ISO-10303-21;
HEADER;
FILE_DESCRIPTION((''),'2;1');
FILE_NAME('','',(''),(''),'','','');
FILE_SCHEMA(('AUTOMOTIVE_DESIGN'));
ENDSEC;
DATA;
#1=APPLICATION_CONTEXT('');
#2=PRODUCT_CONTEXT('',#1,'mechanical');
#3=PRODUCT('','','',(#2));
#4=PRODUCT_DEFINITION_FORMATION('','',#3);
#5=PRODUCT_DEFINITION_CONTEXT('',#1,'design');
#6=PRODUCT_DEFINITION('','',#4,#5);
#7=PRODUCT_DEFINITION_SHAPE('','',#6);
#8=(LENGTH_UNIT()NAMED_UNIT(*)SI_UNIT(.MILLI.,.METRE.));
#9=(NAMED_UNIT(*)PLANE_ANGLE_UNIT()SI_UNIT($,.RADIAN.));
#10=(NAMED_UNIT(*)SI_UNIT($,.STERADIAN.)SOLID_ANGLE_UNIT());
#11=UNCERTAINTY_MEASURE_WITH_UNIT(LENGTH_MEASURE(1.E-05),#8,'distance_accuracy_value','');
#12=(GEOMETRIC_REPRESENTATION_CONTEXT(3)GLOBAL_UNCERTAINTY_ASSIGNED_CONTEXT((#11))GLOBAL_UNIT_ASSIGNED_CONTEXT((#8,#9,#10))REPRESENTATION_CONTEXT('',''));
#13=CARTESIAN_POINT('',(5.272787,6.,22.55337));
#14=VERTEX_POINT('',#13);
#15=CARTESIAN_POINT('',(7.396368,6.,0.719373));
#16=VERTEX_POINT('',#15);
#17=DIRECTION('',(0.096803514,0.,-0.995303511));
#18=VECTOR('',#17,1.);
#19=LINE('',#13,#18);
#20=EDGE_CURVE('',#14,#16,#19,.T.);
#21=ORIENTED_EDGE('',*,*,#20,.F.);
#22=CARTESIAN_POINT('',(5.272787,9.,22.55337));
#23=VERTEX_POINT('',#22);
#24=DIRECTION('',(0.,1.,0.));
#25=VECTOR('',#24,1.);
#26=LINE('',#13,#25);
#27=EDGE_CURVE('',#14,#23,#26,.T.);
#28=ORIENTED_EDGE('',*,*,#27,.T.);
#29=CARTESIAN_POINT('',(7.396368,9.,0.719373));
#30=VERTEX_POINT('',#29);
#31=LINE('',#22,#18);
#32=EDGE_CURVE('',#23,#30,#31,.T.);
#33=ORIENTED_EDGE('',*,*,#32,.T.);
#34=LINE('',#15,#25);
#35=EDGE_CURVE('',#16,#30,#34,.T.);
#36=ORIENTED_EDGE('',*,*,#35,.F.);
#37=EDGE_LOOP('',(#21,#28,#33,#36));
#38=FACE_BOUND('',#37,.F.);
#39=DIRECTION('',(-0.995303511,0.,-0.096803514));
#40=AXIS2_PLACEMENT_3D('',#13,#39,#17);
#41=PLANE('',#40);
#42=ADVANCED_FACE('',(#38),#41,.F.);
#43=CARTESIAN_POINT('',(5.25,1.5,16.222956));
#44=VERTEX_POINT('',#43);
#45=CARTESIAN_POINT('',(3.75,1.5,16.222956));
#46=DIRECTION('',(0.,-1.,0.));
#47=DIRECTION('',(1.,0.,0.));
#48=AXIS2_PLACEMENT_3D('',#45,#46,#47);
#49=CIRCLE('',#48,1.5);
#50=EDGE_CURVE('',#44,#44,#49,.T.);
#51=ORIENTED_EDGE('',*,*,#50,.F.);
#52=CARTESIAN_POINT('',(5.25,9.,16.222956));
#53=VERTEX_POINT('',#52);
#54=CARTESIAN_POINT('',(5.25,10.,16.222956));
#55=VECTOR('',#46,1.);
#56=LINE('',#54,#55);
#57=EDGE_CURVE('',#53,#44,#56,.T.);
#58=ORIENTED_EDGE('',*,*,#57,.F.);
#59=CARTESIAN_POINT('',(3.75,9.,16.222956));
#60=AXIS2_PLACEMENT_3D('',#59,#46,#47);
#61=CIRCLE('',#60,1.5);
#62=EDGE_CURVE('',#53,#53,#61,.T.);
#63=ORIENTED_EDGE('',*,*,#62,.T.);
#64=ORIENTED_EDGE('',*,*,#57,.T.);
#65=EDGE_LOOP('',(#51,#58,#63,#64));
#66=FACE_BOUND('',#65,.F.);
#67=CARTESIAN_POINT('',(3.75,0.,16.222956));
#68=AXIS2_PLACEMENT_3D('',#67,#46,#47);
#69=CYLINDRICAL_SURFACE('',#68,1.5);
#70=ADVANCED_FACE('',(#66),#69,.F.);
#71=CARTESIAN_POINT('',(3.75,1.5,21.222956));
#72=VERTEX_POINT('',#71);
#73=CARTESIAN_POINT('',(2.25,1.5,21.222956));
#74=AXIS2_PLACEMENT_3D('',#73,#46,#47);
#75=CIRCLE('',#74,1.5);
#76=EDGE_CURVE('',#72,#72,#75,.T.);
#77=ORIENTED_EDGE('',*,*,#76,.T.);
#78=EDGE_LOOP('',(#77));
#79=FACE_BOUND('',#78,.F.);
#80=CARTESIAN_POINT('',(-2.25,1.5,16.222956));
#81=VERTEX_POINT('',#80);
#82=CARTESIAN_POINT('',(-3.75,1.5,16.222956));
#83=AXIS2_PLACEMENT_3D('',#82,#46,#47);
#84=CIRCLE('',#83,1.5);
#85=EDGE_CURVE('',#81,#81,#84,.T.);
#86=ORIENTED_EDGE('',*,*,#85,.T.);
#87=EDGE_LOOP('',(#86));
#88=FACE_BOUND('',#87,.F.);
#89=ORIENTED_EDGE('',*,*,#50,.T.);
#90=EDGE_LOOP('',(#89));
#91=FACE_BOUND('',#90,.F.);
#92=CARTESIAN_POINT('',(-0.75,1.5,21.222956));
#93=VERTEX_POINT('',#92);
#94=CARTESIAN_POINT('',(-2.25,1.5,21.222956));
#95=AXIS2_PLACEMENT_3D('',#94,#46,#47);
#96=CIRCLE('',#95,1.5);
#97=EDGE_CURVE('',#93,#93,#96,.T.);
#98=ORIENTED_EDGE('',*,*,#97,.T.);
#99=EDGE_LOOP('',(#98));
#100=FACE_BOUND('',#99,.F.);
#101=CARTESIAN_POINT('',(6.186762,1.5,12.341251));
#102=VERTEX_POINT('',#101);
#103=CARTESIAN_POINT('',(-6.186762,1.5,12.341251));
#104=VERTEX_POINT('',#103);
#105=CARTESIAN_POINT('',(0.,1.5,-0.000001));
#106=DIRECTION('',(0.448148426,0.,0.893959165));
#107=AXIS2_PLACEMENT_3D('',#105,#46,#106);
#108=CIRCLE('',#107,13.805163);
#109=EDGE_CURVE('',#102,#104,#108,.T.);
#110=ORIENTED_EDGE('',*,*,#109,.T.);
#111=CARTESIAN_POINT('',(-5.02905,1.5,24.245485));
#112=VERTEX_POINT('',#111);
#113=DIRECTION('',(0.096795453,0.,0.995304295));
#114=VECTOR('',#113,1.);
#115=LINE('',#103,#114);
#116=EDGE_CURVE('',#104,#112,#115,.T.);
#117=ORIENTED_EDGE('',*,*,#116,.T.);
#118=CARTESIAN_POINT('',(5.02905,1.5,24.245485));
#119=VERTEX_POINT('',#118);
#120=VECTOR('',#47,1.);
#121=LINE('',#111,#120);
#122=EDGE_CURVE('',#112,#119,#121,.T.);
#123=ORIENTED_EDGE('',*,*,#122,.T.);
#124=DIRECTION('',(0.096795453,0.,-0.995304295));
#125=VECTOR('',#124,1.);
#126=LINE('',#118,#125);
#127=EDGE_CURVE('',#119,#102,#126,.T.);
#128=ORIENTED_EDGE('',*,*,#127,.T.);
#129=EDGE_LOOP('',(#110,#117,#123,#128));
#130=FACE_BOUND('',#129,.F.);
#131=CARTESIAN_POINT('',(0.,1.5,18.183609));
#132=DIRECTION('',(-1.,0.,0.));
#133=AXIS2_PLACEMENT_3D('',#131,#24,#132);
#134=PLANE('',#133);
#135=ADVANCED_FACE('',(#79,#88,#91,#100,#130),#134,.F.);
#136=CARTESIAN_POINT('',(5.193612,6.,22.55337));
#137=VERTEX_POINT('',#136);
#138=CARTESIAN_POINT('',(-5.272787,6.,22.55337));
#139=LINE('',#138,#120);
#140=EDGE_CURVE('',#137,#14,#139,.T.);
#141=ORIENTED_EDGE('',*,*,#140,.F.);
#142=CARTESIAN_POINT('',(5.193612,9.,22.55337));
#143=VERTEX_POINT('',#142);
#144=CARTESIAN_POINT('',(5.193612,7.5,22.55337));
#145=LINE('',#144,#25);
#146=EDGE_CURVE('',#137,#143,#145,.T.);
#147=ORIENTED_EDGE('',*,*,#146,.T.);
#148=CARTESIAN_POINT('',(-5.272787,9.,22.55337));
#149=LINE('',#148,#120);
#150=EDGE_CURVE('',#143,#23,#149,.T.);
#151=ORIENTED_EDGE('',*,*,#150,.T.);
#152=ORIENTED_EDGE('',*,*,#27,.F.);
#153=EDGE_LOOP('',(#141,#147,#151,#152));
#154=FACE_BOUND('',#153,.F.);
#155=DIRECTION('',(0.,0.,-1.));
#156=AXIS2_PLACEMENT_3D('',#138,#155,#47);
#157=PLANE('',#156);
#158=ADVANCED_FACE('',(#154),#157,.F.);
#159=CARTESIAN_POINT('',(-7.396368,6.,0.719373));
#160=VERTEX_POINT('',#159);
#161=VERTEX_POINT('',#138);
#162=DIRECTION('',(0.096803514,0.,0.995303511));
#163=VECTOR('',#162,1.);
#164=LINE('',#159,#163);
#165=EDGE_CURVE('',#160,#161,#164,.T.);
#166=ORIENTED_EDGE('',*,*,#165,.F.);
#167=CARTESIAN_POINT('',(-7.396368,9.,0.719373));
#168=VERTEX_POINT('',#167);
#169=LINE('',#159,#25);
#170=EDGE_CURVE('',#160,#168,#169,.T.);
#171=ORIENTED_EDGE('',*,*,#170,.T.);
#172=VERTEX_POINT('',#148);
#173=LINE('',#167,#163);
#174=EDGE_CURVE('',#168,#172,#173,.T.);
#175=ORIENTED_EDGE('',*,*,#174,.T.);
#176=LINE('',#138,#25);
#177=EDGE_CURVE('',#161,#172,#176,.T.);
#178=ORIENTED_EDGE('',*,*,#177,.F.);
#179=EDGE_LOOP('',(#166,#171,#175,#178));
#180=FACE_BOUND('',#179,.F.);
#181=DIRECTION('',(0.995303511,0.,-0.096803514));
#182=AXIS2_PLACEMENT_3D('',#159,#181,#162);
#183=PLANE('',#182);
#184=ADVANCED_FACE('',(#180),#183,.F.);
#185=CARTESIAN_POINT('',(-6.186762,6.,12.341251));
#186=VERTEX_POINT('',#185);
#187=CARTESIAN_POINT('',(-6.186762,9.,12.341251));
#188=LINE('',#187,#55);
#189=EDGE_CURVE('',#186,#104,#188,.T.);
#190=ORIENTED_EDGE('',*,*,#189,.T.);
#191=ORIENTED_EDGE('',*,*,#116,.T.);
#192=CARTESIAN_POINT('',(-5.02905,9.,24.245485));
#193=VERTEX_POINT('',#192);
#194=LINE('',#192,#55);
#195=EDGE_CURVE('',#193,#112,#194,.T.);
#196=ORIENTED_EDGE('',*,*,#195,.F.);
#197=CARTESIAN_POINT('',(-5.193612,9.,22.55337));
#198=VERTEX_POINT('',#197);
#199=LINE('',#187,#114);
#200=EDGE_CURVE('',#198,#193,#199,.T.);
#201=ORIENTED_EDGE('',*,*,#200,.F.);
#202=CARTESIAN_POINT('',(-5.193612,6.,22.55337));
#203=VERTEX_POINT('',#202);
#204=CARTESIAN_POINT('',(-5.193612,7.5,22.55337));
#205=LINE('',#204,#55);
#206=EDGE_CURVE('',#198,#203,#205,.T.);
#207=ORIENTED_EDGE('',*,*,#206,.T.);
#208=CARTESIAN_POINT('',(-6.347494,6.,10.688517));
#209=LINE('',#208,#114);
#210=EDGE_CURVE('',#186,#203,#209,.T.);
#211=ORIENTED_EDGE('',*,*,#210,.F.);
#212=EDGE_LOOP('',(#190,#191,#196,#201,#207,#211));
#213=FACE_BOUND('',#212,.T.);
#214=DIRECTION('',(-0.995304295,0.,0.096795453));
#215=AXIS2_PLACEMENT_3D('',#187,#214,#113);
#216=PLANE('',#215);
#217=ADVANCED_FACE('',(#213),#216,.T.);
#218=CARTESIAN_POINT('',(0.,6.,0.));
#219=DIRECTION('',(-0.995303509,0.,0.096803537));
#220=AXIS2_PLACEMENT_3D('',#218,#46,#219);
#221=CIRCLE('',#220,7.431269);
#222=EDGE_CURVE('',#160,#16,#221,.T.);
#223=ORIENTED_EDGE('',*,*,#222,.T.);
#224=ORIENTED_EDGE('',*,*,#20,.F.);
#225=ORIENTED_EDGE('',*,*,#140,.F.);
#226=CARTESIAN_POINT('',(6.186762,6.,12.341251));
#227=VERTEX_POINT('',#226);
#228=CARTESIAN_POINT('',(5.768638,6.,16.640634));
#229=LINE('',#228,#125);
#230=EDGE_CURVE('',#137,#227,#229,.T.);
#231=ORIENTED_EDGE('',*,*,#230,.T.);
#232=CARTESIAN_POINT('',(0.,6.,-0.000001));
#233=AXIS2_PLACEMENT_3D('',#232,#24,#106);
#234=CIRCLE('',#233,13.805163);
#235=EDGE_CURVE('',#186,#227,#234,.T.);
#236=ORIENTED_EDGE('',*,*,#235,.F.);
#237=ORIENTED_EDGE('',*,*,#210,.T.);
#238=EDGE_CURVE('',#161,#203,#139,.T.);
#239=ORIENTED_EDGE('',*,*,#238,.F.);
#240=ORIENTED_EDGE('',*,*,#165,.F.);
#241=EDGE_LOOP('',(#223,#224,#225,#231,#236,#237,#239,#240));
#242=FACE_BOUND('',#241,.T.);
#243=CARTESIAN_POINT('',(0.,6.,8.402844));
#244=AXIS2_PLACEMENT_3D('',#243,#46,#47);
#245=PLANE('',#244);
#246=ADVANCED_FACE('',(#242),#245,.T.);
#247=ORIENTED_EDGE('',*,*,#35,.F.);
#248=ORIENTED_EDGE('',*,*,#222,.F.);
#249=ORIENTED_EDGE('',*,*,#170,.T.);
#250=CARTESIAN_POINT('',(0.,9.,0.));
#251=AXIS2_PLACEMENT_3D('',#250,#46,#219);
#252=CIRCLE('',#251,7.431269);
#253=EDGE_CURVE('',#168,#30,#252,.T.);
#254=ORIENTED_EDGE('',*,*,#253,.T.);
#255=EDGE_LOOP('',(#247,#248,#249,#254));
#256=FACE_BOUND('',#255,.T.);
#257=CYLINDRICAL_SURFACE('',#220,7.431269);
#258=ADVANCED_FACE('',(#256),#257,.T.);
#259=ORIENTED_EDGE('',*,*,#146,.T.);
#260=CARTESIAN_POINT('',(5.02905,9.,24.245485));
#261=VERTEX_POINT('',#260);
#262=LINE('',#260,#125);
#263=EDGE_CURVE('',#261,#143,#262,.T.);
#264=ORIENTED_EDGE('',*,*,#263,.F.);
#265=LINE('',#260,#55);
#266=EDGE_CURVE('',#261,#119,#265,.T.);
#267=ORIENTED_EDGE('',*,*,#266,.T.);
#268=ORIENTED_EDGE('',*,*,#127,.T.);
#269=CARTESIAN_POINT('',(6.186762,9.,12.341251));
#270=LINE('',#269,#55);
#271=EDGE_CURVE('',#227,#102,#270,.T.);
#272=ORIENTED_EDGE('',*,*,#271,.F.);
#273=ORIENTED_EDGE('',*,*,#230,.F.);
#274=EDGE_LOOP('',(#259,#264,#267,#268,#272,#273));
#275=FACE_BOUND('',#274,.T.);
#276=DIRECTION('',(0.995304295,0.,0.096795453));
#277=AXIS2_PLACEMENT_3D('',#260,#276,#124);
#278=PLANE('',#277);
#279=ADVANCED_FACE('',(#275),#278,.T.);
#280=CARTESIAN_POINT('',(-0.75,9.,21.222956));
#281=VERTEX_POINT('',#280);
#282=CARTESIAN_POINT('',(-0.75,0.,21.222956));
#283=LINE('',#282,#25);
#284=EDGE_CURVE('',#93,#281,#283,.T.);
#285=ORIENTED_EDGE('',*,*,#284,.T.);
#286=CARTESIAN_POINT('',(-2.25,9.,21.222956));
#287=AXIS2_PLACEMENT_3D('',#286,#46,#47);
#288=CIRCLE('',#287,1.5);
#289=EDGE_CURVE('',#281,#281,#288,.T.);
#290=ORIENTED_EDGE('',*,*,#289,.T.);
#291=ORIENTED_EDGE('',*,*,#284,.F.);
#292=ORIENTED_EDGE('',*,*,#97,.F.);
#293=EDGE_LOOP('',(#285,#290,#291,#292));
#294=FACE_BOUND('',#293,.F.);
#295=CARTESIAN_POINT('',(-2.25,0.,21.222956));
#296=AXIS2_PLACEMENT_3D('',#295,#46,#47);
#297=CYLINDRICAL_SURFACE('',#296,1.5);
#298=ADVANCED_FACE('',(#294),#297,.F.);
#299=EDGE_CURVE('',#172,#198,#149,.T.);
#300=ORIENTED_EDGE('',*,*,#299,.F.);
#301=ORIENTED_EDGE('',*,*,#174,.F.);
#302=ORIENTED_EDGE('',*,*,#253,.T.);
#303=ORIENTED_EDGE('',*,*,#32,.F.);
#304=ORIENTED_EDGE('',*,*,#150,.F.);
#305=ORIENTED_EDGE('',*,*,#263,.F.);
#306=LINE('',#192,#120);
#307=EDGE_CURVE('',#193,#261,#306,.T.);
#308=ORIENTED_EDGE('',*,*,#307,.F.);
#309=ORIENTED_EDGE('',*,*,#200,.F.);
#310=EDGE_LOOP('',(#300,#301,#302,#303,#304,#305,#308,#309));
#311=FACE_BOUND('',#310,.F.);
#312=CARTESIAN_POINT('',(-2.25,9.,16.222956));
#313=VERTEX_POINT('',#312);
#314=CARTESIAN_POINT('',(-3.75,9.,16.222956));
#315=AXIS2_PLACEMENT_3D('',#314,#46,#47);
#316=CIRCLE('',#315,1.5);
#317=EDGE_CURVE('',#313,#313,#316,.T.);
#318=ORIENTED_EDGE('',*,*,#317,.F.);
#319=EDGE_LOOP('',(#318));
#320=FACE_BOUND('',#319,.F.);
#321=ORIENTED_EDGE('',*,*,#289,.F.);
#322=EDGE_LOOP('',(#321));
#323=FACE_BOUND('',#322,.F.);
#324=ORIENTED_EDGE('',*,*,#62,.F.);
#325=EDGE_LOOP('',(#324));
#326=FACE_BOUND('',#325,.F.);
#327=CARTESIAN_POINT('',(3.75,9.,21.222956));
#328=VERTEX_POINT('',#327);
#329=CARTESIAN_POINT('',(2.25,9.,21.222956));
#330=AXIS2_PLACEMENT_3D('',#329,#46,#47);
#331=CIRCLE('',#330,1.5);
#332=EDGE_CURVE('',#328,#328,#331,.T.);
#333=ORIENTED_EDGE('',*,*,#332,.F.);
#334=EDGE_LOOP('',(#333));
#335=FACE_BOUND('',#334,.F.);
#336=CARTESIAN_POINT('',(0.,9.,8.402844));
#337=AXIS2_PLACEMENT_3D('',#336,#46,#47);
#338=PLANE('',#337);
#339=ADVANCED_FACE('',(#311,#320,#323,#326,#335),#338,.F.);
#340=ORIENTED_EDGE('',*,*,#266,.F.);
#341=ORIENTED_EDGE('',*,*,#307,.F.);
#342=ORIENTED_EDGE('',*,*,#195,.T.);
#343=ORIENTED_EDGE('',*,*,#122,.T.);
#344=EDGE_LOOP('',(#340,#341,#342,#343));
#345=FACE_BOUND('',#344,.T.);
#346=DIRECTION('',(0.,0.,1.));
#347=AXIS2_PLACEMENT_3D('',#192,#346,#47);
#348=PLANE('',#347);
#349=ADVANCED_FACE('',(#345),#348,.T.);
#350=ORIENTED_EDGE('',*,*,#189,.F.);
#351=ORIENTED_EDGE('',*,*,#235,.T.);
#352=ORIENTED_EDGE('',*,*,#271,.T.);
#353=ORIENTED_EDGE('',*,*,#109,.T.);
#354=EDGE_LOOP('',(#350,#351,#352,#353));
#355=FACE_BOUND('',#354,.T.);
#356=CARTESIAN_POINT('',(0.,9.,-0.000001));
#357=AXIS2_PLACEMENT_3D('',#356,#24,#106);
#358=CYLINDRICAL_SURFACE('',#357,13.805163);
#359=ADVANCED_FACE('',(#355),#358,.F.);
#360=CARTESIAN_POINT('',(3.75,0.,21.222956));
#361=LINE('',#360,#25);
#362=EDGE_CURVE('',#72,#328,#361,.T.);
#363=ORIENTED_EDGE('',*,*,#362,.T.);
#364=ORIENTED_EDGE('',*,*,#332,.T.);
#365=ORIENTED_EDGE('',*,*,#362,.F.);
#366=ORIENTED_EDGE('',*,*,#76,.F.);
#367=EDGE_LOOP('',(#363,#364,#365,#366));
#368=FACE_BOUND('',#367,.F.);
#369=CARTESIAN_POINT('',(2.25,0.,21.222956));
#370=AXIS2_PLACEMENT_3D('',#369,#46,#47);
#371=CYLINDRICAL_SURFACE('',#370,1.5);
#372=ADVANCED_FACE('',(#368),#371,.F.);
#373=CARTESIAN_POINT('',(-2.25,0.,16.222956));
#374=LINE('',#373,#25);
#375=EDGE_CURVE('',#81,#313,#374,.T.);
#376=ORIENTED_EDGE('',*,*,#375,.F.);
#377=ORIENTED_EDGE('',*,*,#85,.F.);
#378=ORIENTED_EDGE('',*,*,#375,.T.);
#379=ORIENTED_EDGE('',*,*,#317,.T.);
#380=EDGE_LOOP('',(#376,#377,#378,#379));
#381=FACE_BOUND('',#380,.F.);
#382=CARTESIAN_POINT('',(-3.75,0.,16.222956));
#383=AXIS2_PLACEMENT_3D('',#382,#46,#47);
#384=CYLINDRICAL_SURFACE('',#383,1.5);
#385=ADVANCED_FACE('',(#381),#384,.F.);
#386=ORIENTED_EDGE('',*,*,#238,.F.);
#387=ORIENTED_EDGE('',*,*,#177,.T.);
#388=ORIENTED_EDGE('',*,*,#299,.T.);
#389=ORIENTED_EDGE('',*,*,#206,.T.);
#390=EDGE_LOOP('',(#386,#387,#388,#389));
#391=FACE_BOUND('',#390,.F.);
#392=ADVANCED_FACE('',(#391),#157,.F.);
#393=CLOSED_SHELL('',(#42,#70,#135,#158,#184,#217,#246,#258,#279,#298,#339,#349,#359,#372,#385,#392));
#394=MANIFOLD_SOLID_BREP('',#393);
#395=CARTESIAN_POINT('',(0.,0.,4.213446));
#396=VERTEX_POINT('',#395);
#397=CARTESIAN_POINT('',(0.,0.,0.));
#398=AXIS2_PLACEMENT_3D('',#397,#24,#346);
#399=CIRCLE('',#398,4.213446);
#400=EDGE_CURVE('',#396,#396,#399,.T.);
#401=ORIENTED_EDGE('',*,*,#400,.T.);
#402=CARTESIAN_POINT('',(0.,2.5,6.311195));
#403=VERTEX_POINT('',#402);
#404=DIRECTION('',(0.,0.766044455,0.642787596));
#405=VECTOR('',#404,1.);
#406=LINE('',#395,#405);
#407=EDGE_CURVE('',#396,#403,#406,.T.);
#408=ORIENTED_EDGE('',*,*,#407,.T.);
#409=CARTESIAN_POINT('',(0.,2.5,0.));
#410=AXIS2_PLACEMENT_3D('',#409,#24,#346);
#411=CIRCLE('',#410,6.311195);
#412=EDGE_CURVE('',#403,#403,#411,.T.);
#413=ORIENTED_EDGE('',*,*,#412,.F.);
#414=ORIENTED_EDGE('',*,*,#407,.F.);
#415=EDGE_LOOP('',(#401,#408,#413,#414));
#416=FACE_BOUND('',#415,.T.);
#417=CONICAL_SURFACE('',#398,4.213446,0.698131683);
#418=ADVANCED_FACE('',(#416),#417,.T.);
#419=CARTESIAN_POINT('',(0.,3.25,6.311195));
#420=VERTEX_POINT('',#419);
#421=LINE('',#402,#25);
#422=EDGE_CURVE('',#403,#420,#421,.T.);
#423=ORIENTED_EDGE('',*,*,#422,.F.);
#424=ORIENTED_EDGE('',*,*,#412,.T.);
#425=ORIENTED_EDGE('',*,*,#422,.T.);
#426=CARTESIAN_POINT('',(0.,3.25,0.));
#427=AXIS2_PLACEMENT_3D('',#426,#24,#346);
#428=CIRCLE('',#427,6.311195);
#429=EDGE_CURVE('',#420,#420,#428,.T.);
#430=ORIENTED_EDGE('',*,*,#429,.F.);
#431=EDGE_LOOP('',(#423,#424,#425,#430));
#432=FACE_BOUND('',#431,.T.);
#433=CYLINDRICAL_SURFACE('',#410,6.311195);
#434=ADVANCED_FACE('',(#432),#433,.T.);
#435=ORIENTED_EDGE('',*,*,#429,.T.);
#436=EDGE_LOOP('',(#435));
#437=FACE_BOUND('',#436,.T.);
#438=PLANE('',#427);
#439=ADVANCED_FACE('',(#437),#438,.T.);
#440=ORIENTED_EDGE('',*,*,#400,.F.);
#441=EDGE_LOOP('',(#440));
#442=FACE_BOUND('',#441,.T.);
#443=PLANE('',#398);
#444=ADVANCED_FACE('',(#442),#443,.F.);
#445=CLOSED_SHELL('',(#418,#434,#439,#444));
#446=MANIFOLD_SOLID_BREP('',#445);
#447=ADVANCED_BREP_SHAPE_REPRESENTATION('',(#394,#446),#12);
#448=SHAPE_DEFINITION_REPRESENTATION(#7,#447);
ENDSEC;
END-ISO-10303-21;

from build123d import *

# Parameters (mm, degrees)
SKETCH011_R  = 1.5
PAD004_DEPTH = 10
PAD005_DEPTH = 7.5
PAD003_DEPTH = 3


with BuildPart() as armmountcutout:
    # Sketch011 → Pad004 (new body, symmetric)
    with BuildSketch(Plane.XZ):
        with Locations((-2.25, 21.222956)):
            Circle(SKETCH011_R)
        with Locations((-3.75, 16.222956)):
            Circle(SKETCH011_R)
        with Locations((2.25, 21.222956)):
            Circle(SKETCH011_R)
        with Locations((3.75, 16.222956)):
            Circle(SKETCH011_R)
    extrude(amount=PAD004_DEPTH, both=True)


with BuildPart() as armmountpad:
    # Sketch012 → Pad005 (new body)
    with BuildSketch(Plane.XZ.offset(-9)):
        with BuildLine():
            ThreePointArc((6.186762, 12.341251), (0, 13.805162), (-6.186762, 12.341251))
            Line((-6.186762, 12.341251), (-5.02905, 24.245485))
            Line((-5.02905, 24.245485), (5.02905, 24.245485))
            Line((5.02905, 24.245485), (6.186762, 12.341251))
        make_face()
    extrude(amount=PAD005_DEPTH)


with BuildPart() as armmountbase:
    # Sketch010 → Pad003 (new body)
    with BuildSketch(Plane.XZ.offset(-6)):
        with BuildLine():
            ThreePointArc((-7.396368, 0.719373), (0, -7.431269), (7.396368, 0.719373))
            Line((5.272787, 22.55337), (7.396368, 0.719373))
            Line((-5.272787, 22.55337), (5.272787, 22.55337))
            Line((-7.396368, 0.719373), (-5.272787, 22.55337))
        make_face()
    extrude(amount=-PAD003_DEPTH)


with BuildPart() as cut001:
    # Sketch008 → Revolution002 (revolve)
    with BuildSketch(Plane.YZ):
        Polygon((0, 4.213446), (2.5, 6.311195), (3.25, 6.311195), (3.25, 0), (0, 0), align=None)
    revolve(axis=Axis((0, 0, 0), (0, 1, 0)))

    # Fusion: union ArmMountPad, ArmMountBase
    add(armmountpad.part)
    add(armmountbase.part)

    # Cut001: cut ArmMountCutout
    add(armmountcutout.part, mode=Mode.SUBTRACT)


solid = cut001.part
